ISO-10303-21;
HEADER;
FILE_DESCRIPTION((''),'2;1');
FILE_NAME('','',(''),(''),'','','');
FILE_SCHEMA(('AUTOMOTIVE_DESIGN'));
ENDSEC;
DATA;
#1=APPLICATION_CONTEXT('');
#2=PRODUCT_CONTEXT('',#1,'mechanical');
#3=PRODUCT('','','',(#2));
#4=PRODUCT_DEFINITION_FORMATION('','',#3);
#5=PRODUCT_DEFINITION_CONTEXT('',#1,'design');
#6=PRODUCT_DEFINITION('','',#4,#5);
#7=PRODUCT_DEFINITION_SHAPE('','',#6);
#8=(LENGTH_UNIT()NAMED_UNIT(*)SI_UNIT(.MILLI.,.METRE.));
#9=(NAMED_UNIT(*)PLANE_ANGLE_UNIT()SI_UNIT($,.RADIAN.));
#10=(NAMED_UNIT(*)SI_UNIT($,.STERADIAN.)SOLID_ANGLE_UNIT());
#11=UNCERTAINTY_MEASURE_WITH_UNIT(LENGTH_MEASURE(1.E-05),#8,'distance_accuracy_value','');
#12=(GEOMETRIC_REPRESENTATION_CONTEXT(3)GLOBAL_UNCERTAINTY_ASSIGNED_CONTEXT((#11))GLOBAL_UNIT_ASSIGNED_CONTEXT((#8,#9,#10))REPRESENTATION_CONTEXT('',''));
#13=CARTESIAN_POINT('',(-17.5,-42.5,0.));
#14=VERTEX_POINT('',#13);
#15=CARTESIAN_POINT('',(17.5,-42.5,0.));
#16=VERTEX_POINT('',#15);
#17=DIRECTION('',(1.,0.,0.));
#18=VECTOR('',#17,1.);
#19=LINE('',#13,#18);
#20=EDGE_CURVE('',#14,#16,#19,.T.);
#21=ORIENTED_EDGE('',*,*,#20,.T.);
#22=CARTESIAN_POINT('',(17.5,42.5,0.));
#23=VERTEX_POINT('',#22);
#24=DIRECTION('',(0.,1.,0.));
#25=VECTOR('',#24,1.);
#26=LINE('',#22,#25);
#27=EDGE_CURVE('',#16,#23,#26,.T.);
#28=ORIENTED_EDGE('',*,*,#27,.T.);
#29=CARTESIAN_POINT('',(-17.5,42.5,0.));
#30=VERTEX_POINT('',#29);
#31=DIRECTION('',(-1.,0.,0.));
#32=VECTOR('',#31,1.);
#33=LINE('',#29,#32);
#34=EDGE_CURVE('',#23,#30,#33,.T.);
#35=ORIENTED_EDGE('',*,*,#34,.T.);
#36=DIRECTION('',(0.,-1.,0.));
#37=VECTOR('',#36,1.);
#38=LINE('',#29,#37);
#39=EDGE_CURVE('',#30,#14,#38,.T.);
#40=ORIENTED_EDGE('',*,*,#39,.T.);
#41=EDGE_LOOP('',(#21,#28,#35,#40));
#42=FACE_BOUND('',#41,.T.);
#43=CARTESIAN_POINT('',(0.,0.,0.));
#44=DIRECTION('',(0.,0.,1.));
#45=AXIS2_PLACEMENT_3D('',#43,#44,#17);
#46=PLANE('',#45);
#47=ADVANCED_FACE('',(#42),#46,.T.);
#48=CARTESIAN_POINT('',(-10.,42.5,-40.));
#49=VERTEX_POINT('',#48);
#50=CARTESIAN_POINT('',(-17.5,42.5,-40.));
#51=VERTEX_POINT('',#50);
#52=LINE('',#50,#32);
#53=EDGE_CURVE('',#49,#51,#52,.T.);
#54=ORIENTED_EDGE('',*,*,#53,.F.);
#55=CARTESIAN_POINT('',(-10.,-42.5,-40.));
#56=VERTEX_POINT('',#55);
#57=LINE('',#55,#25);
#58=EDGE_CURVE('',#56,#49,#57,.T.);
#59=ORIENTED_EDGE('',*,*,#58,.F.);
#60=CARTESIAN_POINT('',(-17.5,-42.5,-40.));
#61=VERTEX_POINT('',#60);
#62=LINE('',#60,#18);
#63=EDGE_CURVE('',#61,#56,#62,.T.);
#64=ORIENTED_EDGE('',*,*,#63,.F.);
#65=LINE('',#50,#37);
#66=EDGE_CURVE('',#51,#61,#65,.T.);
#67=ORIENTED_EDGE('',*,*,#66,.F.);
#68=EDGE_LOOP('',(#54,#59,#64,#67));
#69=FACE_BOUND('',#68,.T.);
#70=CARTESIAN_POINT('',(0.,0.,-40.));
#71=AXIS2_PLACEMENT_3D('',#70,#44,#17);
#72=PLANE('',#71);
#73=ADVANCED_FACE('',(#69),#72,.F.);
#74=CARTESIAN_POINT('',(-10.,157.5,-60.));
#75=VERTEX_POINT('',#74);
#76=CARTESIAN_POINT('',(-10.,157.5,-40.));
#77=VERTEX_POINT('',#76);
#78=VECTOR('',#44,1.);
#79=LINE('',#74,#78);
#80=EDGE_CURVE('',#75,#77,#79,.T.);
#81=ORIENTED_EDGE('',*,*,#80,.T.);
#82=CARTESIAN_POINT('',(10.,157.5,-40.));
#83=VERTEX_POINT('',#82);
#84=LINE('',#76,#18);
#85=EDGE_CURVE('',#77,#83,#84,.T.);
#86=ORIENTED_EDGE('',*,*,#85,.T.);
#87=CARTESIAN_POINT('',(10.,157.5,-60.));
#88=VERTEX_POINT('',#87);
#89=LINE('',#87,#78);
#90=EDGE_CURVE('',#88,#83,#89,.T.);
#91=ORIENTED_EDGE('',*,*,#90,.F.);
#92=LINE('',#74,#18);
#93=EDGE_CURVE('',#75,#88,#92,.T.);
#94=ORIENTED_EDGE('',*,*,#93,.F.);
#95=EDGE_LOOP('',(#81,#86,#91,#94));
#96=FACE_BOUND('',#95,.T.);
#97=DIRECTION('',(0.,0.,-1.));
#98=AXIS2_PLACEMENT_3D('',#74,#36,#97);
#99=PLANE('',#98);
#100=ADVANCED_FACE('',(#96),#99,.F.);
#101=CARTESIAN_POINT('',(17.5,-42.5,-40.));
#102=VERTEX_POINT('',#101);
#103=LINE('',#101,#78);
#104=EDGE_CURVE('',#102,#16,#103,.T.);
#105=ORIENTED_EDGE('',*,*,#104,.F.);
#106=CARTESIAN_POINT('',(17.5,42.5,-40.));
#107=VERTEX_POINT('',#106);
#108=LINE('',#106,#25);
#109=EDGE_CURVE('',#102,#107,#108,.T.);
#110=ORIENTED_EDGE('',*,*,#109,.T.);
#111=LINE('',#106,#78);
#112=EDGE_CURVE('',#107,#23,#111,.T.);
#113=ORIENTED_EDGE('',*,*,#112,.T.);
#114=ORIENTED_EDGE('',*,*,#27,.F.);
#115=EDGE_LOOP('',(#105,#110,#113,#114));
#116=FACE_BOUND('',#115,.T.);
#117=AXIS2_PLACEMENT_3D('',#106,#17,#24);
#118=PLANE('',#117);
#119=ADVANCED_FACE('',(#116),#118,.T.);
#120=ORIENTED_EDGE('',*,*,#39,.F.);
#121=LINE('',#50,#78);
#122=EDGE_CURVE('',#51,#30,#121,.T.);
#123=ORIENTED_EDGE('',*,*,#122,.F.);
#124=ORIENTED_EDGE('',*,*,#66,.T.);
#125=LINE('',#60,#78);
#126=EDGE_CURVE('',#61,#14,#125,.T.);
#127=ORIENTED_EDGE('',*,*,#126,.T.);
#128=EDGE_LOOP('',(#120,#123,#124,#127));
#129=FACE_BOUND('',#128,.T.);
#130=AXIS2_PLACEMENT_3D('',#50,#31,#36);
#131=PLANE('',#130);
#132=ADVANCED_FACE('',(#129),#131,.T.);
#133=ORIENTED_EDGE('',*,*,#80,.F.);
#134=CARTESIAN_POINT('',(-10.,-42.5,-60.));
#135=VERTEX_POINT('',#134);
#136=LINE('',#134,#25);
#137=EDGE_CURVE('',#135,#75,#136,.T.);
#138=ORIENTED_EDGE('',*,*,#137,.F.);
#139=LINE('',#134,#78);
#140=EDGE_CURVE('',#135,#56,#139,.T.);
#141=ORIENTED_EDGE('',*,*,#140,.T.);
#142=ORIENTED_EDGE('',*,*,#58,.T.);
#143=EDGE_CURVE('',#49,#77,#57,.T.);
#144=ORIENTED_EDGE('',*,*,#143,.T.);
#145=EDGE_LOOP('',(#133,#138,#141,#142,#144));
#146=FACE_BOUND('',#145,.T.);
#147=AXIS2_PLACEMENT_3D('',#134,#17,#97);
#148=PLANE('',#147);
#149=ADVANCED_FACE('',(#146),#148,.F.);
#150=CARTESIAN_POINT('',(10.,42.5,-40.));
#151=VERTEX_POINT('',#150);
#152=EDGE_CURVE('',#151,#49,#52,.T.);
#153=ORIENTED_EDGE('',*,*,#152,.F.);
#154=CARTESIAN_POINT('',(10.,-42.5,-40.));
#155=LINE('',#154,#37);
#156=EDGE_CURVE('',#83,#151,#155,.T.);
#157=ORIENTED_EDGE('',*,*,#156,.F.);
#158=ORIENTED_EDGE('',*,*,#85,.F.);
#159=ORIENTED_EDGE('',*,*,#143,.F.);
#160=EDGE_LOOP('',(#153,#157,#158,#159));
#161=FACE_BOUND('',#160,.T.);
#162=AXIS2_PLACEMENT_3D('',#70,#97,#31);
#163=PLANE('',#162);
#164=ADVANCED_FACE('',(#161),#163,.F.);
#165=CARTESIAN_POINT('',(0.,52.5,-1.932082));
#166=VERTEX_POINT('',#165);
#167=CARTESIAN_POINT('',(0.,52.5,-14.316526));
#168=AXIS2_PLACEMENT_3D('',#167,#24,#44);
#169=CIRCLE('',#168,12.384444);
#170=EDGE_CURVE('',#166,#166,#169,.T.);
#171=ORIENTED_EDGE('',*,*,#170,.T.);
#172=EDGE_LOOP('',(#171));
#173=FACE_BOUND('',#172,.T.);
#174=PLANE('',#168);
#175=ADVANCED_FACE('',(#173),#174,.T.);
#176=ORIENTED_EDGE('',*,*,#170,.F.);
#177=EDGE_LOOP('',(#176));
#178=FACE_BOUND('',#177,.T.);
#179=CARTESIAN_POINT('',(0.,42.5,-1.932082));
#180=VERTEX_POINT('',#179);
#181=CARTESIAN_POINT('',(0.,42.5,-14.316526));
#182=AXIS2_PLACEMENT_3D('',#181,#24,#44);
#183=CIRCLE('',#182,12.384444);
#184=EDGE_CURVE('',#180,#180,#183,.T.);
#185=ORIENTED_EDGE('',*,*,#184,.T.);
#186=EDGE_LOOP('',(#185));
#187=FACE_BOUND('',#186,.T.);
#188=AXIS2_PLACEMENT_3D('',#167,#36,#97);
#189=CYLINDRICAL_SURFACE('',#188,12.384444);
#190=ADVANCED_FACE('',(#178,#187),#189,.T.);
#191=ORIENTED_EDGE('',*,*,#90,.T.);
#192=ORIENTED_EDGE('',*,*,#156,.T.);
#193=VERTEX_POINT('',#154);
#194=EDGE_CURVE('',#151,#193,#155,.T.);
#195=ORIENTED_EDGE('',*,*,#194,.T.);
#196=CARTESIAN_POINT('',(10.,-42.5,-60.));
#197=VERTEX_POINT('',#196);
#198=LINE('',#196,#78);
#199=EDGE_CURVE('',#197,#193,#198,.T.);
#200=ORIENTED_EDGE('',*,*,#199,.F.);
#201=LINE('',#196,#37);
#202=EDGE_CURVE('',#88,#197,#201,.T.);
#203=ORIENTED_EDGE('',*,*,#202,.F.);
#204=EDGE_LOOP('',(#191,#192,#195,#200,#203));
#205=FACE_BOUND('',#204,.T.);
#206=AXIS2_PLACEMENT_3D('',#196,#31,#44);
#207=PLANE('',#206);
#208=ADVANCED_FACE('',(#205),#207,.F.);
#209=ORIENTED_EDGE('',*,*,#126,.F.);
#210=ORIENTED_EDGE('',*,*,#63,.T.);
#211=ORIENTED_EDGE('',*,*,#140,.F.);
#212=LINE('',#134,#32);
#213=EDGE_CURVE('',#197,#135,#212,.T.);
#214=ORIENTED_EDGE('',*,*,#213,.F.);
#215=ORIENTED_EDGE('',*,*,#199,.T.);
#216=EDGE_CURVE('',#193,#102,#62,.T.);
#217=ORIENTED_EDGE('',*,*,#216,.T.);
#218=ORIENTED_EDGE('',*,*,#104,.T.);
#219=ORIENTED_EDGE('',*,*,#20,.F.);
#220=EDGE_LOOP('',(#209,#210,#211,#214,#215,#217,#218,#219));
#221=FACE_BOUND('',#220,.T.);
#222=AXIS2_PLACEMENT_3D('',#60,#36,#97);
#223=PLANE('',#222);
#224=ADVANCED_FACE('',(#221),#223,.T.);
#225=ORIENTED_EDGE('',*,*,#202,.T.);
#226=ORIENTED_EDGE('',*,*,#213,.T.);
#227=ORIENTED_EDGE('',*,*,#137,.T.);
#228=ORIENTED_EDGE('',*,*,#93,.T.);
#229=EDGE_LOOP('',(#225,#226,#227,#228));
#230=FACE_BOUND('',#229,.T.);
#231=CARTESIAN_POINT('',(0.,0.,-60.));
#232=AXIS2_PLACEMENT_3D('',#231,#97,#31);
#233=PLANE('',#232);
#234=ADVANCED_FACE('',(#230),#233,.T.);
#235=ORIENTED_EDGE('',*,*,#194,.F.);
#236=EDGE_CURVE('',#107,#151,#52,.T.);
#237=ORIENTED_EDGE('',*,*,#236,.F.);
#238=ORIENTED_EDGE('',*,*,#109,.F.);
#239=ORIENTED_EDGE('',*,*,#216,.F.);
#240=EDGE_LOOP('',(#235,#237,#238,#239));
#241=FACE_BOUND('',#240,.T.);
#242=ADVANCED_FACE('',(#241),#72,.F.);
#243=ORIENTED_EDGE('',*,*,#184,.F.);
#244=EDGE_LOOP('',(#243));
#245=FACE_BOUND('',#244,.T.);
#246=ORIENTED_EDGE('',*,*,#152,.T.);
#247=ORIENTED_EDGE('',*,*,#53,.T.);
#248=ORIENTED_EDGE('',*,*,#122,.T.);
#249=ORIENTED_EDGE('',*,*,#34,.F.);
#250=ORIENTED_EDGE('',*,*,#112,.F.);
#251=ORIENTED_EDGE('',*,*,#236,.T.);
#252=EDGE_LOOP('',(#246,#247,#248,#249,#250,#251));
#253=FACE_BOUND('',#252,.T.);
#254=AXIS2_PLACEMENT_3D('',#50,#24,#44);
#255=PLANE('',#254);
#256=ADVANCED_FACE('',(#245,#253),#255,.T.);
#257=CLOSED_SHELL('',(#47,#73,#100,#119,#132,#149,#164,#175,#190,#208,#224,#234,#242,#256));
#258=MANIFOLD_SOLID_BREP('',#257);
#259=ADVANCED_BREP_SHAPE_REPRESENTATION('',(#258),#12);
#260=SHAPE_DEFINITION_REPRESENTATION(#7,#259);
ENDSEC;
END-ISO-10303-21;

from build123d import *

# Parameters (mm, degrees)
SKIZZE1_W                       = 35
SKIZZE1_H                       = 85
AUFSATZ_LINEAR_AUSTRAGEN1_DEPTH = 40
SKIZZE2_R                       = 12.384443891
AUFSATZ_LINEAR_AUSTRAGEN2_DEPTH = 10
SKIZZE3_W                       = 20
SKIZZE3_H                       = 200
AUFSATZ_LINEAR_AUSTRAGEN3_DEPTH = 20


with BuildPart() as part:
    # Skizze1 → Aufsatz-Linear austragen1 (new body)
    with BuildSketch(Plane.XY):
        Rectangle(SKIZZE1_W, SKIZZE1_H)
    extrude(amount=-AUFSATZ_LINEAR_AUSTRAGEN1_DEPTH)

    # Skizze2 → Aufsatz-Linear austragen2 (add)
    with BuildSketch(Plane(origin=(0, 42.5, 0), x_dir=(1, 0, 0), z_dir=(0, 1, 0))):
        with Locations((0, 14.316526297)):
            Circle(SKIZZE2_R)
    extrude(amount=AUFSATZ_LINEAR_AUSTRAGEN2_DEPTH)

    # Skizze3 → Aufsatz-Linear austragen3 (add)
    with BuildSketch(Plane(origin=(0, 0, -40), x_dir=(-1, 0, 0), z_dir=(0, 0, -1))):
        with Locations((0, 57.5)):
            Rectangle(SKIZZE3_W, SKIZZE3_H)
    extrude(amount=AUFSATZ_LINEAR_AUSTRAGEN3_DEPTH)


solid = part.part
